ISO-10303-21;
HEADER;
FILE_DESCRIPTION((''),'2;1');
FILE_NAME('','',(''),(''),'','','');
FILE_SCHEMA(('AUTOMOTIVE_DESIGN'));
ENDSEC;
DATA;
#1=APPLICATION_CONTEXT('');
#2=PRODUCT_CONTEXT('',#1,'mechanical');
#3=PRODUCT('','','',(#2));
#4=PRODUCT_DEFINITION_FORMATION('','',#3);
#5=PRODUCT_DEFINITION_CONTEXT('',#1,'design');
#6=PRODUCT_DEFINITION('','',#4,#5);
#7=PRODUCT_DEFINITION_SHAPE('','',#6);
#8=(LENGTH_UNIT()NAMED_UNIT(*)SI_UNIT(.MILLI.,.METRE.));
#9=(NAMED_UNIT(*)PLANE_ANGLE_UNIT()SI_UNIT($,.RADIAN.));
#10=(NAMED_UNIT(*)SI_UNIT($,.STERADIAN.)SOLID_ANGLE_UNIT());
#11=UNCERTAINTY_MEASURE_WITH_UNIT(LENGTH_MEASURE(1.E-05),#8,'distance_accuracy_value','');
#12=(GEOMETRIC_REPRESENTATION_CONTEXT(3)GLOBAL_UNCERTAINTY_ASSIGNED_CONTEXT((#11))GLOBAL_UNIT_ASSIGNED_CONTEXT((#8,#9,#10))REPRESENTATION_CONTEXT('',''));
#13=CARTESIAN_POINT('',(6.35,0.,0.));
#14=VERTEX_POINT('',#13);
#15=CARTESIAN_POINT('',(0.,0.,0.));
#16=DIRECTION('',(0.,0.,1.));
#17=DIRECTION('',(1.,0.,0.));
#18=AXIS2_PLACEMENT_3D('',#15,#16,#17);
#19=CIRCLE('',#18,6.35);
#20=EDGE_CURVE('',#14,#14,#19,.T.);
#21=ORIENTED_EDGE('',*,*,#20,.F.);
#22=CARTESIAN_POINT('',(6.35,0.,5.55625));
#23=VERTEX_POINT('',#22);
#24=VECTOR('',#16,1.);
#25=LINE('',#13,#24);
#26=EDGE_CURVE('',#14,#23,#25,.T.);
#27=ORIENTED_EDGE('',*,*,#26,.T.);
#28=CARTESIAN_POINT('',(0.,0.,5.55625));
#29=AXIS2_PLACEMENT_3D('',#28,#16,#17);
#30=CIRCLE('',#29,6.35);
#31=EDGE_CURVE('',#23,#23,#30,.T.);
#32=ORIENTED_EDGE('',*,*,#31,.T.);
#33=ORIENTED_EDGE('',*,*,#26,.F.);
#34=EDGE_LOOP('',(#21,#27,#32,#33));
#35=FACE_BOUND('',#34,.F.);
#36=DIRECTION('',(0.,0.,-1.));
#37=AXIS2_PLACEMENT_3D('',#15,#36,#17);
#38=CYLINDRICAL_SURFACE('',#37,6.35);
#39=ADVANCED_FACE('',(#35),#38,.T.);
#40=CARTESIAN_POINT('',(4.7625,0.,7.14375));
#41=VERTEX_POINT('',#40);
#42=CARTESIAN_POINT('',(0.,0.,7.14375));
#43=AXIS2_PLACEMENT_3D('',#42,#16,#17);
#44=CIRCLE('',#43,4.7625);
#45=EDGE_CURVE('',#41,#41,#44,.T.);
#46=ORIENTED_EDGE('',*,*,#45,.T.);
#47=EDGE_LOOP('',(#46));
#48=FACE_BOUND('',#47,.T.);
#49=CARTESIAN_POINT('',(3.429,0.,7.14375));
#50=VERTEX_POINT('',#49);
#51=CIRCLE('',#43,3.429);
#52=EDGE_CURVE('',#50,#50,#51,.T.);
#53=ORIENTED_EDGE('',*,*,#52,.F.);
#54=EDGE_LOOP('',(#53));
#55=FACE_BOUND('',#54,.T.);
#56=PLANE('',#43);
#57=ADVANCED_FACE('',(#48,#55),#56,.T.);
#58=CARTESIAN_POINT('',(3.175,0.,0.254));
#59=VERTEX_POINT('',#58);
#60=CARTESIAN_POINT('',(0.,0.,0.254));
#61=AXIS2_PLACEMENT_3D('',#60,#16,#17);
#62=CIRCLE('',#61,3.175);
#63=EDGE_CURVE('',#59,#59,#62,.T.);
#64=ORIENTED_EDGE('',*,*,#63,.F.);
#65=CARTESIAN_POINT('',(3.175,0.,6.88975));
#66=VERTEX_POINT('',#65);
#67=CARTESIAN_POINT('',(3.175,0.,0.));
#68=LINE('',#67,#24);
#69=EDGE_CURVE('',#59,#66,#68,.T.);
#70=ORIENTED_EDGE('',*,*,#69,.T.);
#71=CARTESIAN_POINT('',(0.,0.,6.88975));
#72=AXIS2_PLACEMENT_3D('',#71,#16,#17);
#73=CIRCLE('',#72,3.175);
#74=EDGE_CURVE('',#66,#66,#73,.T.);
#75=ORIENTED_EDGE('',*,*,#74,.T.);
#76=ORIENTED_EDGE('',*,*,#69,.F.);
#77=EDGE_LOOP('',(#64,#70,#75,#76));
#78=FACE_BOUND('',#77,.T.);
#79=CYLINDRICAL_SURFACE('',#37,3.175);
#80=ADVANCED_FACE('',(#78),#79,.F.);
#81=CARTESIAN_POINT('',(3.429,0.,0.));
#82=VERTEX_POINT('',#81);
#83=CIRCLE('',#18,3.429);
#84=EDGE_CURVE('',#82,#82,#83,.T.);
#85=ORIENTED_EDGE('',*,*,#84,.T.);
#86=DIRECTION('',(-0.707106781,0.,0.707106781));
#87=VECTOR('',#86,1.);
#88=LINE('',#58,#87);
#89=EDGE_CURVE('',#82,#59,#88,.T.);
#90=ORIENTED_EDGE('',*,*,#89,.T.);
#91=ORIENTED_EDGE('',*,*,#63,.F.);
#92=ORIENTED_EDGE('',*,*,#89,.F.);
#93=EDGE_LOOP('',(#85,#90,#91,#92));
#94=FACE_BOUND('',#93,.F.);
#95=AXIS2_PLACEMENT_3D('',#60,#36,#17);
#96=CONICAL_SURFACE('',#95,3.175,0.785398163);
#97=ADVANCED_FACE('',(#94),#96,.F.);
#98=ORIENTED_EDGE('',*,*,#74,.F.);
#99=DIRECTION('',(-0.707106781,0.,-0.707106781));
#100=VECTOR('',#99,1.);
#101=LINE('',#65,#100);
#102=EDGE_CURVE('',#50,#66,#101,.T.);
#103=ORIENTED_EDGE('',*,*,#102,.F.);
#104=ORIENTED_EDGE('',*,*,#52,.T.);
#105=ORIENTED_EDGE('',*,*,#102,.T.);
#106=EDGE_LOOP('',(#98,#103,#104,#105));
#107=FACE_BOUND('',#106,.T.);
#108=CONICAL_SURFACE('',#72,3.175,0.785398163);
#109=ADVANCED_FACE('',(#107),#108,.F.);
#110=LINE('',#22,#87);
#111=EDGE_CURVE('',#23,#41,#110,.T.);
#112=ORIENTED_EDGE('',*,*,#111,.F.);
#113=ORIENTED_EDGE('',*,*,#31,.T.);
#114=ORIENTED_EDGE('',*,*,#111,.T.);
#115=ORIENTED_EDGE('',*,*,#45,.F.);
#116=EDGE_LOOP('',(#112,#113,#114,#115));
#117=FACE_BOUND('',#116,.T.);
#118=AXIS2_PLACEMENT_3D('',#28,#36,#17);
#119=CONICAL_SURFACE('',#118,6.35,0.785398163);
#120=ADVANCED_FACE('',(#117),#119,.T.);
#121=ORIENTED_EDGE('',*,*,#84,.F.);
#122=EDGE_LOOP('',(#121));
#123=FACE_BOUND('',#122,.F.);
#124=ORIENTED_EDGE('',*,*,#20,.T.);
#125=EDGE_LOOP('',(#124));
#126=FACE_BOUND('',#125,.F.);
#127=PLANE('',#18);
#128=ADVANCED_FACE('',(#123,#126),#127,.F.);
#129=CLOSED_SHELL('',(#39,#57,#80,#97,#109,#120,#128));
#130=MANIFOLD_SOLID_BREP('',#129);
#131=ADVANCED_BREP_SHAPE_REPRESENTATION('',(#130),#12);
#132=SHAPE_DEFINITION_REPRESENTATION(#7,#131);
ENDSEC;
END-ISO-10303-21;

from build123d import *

# Parameters (mm, degrees)
F0_R     = 6.35
F0_R_2   = 3.175
F1_DEPTH = 7.14375
F2_SIZE  = 1.5875
F3_SIZE  = 0.254


with BuildPart() as f1:
    # F0 (on Top) → F1 (new body)
    with BuildSketch(Plane.XY):
        Circle(F0_R)
        Circle(F0_R_2, mode=Mode.SUBTRACT)
    extrude(amount=F1_DEPTH)

    # F2
    f2_edges = [f1.edges().sort_by_distance(p)[0] for p in [
        (-6.35, 0, 7.14375),
    ]]
    chamfer(f2_edges, length=F2_SIZE)

    # F3
    f3_edges = [f1.edges().sort_by_distance(p)[0] for p in [
        (-3.175, 0, 7.14375),
        (-3.175, 0, 0),
    ]]
    chamfer(f3_edges, length=F3_SIZE)


solid = f1.part
